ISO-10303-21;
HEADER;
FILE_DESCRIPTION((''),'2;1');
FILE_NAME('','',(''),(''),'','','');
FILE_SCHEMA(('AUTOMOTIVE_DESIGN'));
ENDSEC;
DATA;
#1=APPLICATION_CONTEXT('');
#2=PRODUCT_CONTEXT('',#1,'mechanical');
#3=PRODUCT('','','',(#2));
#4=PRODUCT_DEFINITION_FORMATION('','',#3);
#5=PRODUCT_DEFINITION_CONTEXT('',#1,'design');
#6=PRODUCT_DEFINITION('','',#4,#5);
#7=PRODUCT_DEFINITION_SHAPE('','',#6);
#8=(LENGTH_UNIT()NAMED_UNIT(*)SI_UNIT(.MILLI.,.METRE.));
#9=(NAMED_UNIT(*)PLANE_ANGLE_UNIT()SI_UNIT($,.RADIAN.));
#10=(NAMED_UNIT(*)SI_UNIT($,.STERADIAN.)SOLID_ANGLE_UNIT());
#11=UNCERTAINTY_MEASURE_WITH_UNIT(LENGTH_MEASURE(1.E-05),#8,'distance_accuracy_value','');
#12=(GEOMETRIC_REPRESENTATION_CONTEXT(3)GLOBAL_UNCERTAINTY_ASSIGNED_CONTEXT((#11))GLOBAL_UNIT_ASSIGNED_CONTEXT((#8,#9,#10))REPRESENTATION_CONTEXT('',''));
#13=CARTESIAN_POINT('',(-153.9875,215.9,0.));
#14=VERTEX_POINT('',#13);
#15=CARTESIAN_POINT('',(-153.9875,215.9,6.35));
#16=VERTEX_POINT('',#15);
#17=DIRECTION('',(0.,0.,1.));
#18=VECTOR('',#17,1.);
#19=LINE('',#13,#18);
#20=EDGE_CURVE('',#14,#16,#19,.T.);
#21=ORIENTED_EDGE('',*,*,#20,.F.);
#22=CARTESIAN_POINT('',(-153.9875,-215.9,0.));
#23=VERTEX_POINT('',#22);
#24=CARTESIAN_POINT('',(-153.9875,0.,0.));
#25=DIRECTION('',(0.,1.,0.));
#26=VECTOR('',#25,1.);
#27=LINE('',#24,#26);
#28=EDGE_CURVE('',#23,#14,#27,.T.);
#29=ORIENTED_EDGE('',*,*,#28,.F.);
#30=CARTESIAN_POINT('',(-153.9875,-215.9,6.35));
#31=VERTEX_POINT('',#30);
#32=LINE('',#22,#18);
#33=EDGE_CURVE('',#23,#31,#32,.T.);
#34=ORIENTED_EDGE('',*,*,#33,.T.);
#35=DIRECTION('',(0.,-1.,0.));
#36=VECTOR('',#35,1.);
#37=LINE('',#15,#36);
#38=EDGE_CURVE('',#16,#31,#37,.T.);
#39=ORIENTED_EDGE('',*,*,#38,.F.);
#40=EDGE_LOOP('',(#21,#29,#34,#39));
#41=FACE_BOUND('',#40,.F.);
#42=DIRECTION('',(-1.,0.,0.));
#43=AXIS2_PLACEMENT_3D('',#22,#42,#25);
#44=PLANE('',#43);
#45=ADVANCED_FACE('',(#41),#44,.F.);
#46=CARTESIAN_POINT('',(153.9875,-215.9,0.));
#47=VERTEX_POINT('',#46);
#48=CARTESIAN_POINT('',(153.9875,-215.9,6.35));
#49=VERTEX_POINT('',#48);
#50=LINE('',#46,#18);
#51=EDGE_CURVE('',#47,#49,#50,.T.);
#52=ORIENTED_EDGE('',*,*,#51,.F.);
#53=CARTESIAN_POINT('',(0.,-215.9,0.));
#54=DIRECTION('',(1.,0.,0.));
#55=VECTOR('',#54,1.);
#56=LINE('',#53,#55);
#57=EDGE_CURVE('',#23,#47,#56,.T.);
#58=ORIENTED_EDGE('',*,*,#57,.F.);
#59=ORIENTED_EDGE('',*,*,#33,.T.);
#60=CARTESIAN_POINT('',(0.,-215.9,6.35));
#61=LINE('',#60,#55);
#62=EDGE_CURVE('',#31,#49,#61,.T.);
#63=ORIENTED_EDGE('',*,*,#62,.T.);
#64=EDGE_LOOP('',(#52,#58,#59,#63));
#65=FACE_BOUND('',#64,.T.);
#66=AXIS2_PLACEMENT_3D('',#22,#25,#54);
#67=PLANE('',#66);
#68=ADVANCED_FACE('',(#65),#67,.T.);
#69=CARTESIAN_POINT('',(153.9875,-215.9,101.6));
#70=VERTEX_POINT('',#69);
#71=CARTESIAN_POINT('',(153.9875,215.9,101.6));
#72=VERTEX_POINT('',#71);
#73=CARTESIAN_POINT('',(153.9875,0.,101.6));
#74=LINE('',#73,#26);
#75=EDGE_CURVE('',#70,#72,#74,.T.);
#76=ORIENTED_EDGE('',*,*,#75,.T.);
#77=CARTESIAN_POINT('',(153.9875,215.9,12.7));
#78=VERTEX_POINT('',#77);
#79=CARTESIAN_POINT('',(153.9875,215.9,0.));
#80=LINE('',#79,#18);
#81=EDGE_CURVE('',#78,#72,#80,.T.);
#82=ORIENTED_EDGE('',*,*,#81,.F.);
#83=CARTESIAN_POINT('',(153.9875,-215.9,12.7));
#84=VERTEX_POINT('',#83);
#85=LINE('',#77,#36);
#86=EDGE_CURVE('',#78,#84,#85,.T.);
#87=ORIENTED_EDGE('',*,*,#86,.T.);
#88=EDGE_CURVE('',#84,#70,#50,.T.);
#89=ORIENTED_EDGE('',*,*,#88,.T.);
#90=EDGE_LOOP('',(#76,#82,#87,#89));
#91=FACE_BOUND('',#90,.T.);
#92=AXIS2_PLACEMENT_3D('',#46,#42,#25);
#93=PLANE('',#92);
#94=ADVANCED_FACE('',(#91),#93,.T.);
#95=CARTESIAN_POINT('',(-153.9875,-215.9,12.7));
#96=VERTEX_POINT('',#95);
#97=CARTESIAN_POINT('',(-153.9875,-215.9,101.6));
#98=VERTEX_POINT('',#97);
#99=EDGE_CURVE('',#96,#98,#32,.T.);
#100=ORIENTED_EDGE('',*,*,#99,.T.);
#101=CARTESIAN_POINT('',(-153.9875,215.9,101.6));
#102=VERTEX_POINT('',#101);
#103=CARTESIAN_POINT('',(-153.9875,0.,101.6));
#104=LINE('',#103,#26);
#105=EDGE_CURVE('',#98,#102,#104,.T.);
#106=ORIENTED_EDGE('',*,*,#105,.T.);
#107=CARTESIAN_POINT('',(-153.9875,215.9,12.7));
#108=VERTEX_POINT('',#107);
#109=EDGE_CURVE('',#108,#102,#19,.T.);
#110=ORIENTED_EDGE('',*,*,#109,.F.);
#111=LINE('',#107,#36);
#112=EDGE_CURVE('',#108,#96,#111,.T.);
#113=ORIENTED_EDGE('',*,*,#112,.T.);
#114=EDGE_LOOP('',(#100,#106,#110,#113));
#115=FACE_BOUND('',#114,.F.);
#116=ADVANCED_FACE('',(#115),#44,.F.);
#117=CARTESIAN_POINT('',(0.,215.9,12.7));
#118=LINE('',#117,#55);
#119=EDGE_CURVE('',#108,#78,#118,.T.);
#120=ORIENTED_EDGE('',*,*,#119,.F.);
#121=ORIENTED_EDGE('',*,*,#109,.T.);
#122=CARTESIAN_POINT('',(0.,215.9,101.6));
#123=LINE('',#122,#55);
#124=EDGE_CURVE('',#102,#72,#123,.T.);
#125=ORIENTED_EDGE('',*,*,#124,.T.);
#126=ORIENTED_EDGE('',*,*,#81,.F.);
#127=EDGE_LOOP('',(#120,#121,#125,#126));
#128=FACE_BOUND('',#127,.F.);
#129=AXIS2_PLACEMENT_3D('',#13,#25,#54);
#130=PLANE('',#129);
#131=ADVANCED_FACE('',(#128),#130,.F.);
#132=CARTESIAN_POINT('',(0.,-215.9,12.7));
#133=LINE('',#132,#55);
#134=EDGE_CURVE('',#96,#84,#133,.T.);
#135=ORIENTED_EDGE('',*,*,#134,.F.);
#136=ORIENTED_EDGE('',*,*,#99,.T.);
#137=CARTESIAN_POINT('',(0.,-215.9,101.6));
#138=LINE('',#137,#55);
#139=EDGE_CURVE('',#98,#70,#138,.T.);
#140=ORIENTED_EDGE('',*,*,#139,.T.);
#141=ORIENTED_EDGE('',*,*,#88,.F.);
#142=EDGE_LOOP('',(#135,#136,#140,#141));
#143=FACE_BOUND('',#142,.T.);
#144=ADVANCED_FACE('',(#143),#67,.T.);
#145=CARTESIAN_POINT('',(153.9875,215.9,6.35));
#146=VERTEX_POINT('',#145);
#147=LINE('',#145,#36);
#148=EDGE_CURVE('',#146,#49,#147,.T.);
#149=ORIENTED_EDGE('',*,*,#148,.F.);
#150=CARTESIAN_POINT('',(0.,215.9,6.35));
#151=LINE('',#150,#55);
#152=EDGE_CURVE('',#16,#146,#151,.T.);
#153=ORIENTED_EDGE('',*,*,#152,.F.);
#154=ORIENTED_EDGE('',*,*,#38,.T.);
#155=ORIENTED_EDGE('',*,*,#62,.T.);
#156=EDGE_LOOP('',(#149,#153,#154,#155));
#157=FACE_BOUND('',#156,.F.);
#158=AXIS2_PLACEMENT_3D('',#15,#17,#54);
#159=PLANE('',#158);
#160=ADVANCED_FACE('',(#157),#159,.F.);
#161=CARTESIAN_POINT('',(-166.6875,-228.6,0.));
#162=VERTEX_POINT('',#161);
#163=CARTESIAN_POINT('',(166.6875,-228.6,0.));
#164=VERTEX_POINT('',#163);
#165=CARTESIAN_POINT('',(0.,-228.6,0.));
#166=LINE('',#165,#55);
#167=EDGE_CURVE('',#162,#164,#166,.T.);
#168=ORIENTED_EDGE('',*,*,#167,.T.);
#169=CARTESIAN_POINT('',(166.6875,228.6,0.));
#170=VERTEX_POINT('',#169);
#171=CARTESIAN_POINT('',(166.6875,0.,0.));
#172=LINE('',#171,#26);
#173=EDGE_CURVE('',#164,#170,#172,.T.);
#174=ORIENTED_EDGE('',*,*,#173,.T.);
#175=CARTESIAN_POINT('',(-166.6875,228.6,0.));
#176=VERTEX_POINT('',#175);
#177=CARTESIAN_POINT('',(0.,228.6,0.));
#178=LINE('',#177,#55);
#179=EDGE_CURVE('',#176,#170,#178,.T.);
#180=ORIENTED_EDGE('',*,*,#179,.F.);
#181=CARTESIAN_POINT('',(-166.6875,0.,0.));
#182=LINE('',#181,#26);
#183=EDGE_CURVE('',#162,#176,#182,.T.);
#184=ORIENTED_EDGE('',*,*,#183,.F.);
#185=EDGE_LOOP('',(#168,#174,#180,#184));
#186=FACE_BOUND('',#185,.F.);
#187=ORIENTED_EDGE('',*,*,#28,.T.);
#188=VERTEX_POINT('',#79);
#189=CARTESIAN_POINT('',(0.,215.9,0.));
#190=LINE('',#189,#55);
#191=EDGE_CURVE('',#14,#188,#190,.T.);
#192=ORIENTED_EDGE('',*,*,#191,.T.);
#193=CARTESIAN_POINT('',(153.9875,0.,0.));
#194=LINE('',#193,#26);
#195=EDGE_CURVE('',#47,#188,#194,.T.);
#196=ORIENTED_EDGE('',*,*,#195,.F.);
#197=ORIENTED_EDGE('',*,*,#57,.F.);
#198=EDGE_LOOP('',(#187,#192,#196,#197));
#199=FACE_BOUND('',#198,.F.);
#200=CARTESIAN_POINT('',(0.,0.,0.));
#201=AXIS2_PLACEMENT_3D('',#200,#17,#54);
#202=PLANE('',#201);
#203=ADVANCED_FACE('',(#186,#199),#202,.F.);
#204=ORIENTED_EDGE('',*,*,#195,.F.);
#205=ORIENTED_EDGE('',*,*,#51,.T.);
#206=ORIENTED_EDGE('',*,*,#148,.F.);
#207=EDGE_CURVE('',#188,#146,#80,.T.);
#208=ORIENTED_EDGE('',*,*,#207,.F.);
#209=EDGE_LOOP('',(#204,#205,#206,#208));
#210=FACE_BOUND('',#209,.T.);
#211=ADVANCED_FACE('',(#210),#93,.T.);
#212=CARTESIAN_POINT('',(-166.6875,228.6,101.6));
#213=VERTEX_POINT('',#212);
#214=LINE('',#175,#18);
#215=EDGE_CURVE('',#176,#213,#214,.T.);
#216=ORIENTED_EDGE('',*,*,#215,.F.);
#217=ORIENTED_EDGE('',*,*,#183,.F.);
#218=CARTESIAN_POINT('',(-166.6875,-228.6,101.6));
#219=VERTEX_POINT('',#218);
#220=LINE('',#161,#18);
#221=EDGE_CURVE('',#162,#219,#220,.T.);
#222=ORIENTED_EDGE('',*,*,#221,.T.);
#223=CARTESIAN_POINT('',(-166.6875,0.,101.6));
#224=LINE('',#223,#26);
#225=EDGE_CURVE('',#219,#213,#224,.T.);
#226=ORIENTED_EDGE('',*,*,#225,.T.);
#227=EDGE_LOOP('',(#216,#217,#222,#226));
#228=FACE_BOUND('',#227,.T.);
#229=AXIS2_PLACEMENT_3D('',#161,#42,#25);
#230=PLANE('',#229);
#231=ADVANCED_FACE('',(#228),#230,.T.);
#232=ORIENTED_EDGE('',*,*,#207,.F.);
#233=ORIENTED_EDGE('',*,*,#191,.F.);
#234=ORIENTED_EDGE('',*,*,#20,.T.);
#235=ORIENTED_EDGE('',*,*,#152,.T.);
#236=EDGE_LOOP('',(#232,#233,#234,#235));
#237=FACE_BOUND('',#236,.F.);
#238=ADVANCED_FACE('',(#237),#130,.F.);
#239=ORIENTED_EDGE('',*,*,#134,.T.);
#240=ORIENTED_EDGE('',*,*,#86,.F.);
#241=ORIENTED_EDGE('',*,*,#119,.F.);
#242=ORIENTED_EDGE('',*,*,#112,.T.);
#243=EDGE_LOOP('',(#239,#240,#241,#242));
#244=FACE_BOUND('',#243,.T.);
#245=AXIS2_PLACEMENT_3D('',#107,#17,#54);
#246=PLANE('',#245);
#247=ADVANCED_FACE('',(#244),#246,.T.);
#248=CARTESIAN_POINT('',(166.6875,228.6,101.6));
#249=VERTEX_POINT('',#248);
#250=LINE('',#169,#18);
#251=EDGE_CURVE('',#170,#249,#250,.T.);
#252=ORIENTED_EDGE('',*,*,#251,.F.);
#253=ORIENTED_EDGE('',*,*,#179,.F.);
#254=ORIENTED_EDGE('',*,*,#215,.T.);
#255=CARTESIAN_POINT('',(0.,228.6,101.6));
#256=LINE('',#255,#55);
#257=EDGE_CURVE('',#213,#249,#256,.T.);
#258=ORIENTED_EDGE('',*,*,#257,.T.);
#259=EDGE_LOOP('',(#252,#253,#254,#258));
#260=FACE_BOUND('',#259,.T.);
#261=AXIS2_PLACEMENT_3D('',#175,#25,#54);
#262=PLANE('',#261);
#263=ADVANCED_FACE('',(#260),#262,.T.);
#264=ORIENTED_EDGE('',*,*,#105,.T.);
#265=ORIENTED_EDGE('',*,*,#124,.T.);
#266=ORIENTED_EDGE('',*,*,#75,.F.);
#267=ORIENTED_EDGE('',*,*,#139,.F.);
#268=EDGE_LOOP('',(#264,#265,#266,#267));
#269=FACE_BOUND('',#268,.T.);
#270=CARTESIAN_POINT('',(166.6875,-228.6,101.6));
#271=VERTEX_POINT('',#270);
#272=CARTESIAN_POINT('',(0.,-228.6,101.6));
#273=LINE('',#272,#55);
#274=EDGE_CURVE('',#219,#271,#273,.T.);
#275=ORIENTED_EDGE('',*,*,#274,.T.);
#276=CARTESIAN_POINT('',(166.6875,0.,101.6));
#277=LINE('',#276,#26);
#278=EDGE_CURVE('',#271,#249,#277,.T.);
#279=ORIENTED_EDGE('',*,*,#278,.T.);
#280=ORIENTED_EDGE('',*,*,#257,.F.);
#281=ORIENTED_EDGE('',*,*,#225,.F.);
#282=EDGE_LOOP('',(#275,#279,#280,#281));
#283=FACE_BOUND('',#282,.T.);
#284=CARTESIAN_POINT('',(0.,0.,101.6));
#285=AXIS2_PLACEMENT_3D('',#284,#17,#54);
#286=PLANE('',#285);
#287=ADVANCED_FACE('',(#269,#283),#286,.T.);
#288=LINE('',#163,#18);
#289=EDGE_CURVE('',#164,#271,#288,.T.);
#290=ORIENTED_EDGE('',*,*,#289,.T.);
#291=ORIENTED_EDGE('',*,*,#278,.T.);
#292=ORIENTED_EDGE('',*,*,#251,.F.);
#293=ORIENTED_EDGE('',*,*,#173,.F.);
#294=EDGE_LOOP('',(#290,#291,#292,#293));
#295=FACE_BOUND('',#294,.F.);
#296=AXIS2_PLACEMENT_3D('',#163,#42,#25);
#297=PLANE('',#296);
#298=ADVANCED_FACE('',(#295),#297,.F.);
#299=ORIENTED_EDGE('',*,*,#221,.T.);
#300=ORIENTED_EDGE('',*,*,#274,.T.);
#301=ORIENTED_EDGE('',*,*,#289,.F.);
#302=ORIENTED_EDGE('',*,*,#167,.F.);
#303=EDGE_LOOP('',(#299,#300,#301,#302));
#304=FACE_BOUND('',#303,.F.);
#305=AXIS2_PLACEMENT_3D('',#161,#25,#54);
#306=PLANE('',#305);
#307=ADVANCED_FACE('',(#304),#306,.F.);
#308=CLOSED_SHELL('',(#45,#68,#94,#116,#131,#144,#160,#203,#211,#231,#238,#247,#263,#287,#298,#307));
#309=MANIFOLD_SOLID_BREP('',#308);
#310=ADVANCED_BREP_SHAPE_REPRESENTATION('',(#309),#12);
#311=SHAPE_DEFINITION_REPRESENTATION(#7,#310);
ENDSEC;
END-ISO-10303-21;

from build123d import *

# Parameters (mm, degrees)
F0_W     = 333.375
F0_H     = 457.2
F0_W_2   = 307.975
F0_H_2   = 431.8
F1_DEPTH = 101.6
F2_W     = 307.975
F2_H     = 6.35
F3_DEPTH = 431.8


with BuildPart() as f1:
    # F0 (on Top) → F1 (new body)
    with BuildSketch(Plane.XY):
        Rectangle(F0_W, F0_H)
        Rectangle(F0_W_2, F0_H_2, mode=Mode.SUBTRACT)
    extrude(amount=F1_DEPTH)

    # F2 (on face) → F3 (join)
    with BuildSketch(Plane.XZ.offset(-215.9)):
        with Locations((0, 9.525)):
            Rectangle(F2_W, F2_H)
    extrude(amount=F3_DEPTH)


solid = f1.part
